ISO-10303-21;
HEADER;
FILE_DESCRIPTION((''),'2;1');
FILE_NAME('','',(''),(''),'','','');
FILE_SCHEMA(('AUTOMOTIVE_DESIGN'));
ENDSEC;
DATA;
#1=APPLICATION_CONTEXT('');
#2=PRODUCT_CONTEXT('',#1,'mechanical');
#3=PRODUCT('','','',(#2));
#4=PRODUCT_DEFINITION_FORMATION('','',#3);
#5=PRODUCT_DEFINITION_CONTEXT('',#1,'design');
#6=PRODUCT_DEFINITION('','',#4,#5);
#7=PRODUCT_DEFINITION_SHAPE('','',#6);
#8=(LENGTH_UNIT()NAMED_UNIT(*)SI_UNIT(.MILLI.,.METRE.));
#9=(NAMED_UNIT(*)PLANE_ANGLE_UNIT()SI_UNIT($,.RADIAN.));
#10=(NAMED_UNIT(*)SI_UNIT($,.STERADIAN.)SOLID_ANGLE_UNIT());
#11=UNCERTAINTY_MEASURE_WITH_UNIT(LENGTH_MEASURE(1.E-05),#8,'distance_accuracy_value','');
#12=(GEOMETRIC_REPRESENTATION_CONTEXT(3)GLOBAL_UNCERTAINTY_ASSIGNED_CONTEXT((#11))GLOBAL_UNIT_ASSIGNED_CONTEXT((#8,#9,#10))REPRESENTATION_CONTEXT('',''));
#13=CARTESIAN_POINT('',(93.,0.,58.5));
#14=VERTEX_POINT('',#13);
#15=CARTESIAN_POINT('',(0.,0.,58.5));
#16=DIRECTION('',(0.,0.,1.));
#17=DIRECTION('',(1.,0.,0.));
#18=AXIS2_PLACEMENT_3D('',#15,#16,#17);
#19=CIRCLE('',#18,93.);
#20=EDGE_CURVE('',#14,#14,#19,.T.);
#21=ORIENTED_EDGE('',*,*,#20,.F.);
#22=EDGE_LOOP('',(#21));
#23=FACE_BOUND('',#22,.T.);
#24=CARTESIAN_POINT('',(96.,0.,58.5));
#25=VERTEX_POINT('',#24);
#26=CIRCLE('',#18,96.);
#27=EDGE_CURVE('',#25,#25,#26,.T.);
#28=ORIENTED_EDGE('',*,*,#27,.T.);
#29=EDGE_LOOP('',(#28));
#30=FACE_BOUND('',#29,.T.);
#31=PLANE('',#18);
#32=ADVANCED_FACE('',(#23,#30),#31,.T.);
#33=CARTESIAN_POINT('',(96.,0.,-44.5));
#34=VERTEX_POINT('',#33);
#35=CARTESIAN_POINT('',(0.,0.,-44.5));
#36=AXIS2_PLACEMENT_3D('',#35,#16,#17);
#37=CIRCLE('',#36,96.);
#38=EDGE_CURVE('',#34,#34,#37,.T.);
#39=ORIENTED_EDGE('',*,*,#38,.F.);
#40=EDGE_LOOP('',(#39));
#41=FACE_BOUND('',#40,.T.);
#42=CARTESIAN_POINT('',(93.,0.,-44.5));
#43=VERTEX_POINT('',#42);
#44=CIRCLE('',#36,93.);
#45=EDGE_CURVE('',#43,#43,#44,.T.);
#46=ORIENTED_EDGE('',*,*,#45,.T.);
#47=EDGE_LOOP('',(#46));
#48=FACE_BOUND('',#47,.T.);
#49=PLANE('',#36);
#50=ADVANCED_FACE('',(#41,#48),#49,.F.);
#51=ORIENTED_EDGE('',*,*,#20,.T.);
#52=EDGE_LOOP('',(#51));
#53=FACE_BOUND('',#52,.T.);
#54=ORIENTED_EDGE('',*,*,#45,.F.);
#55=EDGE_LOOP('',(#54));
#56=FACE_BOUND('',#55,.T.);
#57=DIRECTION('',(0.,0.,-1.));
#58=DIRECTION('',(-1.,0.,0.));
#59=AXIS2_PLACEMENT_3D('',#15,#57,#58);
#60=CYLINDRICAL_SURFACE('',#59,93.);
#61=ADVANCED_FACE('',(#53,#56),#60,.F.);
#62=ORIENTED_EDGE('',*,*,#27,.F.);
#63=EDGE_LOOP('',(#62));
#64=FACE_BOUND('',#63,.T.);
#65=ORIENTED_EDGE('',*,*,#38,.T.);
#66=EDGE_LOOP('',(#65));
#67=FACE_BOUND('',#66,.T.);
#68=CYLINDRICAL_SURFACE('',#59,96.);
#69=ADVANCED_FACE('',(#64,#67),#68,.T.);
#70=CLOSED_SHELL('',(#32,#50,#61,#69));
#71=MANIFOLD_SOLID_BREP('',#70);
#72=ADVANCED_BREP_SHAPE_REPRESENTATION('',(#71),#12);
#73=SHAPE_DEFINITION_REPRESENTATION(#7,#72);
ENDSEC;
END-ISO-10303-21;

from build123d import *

# Parameters (mm, degrees)
RIM_REFERENCE_START = -44.5
SKETCH_1_R          = 96
SKETCH_1_R_2        = 93
RIM_REFERENCE_DEPTH = 103


with BuildPart() as part:
    # Эскиз1 → Rim_reference (new body)
    with BuildSketch(Plane.XY.offset(RIM_REFERENCE_START)):
        Circle(SKETCH_1_R)
        Circle(SKETCH_1_R_2, mode=Mode.SUBTRACT)
    extrude(amount=RIM_REFERENCE_DEPTH)


solid = part.part
